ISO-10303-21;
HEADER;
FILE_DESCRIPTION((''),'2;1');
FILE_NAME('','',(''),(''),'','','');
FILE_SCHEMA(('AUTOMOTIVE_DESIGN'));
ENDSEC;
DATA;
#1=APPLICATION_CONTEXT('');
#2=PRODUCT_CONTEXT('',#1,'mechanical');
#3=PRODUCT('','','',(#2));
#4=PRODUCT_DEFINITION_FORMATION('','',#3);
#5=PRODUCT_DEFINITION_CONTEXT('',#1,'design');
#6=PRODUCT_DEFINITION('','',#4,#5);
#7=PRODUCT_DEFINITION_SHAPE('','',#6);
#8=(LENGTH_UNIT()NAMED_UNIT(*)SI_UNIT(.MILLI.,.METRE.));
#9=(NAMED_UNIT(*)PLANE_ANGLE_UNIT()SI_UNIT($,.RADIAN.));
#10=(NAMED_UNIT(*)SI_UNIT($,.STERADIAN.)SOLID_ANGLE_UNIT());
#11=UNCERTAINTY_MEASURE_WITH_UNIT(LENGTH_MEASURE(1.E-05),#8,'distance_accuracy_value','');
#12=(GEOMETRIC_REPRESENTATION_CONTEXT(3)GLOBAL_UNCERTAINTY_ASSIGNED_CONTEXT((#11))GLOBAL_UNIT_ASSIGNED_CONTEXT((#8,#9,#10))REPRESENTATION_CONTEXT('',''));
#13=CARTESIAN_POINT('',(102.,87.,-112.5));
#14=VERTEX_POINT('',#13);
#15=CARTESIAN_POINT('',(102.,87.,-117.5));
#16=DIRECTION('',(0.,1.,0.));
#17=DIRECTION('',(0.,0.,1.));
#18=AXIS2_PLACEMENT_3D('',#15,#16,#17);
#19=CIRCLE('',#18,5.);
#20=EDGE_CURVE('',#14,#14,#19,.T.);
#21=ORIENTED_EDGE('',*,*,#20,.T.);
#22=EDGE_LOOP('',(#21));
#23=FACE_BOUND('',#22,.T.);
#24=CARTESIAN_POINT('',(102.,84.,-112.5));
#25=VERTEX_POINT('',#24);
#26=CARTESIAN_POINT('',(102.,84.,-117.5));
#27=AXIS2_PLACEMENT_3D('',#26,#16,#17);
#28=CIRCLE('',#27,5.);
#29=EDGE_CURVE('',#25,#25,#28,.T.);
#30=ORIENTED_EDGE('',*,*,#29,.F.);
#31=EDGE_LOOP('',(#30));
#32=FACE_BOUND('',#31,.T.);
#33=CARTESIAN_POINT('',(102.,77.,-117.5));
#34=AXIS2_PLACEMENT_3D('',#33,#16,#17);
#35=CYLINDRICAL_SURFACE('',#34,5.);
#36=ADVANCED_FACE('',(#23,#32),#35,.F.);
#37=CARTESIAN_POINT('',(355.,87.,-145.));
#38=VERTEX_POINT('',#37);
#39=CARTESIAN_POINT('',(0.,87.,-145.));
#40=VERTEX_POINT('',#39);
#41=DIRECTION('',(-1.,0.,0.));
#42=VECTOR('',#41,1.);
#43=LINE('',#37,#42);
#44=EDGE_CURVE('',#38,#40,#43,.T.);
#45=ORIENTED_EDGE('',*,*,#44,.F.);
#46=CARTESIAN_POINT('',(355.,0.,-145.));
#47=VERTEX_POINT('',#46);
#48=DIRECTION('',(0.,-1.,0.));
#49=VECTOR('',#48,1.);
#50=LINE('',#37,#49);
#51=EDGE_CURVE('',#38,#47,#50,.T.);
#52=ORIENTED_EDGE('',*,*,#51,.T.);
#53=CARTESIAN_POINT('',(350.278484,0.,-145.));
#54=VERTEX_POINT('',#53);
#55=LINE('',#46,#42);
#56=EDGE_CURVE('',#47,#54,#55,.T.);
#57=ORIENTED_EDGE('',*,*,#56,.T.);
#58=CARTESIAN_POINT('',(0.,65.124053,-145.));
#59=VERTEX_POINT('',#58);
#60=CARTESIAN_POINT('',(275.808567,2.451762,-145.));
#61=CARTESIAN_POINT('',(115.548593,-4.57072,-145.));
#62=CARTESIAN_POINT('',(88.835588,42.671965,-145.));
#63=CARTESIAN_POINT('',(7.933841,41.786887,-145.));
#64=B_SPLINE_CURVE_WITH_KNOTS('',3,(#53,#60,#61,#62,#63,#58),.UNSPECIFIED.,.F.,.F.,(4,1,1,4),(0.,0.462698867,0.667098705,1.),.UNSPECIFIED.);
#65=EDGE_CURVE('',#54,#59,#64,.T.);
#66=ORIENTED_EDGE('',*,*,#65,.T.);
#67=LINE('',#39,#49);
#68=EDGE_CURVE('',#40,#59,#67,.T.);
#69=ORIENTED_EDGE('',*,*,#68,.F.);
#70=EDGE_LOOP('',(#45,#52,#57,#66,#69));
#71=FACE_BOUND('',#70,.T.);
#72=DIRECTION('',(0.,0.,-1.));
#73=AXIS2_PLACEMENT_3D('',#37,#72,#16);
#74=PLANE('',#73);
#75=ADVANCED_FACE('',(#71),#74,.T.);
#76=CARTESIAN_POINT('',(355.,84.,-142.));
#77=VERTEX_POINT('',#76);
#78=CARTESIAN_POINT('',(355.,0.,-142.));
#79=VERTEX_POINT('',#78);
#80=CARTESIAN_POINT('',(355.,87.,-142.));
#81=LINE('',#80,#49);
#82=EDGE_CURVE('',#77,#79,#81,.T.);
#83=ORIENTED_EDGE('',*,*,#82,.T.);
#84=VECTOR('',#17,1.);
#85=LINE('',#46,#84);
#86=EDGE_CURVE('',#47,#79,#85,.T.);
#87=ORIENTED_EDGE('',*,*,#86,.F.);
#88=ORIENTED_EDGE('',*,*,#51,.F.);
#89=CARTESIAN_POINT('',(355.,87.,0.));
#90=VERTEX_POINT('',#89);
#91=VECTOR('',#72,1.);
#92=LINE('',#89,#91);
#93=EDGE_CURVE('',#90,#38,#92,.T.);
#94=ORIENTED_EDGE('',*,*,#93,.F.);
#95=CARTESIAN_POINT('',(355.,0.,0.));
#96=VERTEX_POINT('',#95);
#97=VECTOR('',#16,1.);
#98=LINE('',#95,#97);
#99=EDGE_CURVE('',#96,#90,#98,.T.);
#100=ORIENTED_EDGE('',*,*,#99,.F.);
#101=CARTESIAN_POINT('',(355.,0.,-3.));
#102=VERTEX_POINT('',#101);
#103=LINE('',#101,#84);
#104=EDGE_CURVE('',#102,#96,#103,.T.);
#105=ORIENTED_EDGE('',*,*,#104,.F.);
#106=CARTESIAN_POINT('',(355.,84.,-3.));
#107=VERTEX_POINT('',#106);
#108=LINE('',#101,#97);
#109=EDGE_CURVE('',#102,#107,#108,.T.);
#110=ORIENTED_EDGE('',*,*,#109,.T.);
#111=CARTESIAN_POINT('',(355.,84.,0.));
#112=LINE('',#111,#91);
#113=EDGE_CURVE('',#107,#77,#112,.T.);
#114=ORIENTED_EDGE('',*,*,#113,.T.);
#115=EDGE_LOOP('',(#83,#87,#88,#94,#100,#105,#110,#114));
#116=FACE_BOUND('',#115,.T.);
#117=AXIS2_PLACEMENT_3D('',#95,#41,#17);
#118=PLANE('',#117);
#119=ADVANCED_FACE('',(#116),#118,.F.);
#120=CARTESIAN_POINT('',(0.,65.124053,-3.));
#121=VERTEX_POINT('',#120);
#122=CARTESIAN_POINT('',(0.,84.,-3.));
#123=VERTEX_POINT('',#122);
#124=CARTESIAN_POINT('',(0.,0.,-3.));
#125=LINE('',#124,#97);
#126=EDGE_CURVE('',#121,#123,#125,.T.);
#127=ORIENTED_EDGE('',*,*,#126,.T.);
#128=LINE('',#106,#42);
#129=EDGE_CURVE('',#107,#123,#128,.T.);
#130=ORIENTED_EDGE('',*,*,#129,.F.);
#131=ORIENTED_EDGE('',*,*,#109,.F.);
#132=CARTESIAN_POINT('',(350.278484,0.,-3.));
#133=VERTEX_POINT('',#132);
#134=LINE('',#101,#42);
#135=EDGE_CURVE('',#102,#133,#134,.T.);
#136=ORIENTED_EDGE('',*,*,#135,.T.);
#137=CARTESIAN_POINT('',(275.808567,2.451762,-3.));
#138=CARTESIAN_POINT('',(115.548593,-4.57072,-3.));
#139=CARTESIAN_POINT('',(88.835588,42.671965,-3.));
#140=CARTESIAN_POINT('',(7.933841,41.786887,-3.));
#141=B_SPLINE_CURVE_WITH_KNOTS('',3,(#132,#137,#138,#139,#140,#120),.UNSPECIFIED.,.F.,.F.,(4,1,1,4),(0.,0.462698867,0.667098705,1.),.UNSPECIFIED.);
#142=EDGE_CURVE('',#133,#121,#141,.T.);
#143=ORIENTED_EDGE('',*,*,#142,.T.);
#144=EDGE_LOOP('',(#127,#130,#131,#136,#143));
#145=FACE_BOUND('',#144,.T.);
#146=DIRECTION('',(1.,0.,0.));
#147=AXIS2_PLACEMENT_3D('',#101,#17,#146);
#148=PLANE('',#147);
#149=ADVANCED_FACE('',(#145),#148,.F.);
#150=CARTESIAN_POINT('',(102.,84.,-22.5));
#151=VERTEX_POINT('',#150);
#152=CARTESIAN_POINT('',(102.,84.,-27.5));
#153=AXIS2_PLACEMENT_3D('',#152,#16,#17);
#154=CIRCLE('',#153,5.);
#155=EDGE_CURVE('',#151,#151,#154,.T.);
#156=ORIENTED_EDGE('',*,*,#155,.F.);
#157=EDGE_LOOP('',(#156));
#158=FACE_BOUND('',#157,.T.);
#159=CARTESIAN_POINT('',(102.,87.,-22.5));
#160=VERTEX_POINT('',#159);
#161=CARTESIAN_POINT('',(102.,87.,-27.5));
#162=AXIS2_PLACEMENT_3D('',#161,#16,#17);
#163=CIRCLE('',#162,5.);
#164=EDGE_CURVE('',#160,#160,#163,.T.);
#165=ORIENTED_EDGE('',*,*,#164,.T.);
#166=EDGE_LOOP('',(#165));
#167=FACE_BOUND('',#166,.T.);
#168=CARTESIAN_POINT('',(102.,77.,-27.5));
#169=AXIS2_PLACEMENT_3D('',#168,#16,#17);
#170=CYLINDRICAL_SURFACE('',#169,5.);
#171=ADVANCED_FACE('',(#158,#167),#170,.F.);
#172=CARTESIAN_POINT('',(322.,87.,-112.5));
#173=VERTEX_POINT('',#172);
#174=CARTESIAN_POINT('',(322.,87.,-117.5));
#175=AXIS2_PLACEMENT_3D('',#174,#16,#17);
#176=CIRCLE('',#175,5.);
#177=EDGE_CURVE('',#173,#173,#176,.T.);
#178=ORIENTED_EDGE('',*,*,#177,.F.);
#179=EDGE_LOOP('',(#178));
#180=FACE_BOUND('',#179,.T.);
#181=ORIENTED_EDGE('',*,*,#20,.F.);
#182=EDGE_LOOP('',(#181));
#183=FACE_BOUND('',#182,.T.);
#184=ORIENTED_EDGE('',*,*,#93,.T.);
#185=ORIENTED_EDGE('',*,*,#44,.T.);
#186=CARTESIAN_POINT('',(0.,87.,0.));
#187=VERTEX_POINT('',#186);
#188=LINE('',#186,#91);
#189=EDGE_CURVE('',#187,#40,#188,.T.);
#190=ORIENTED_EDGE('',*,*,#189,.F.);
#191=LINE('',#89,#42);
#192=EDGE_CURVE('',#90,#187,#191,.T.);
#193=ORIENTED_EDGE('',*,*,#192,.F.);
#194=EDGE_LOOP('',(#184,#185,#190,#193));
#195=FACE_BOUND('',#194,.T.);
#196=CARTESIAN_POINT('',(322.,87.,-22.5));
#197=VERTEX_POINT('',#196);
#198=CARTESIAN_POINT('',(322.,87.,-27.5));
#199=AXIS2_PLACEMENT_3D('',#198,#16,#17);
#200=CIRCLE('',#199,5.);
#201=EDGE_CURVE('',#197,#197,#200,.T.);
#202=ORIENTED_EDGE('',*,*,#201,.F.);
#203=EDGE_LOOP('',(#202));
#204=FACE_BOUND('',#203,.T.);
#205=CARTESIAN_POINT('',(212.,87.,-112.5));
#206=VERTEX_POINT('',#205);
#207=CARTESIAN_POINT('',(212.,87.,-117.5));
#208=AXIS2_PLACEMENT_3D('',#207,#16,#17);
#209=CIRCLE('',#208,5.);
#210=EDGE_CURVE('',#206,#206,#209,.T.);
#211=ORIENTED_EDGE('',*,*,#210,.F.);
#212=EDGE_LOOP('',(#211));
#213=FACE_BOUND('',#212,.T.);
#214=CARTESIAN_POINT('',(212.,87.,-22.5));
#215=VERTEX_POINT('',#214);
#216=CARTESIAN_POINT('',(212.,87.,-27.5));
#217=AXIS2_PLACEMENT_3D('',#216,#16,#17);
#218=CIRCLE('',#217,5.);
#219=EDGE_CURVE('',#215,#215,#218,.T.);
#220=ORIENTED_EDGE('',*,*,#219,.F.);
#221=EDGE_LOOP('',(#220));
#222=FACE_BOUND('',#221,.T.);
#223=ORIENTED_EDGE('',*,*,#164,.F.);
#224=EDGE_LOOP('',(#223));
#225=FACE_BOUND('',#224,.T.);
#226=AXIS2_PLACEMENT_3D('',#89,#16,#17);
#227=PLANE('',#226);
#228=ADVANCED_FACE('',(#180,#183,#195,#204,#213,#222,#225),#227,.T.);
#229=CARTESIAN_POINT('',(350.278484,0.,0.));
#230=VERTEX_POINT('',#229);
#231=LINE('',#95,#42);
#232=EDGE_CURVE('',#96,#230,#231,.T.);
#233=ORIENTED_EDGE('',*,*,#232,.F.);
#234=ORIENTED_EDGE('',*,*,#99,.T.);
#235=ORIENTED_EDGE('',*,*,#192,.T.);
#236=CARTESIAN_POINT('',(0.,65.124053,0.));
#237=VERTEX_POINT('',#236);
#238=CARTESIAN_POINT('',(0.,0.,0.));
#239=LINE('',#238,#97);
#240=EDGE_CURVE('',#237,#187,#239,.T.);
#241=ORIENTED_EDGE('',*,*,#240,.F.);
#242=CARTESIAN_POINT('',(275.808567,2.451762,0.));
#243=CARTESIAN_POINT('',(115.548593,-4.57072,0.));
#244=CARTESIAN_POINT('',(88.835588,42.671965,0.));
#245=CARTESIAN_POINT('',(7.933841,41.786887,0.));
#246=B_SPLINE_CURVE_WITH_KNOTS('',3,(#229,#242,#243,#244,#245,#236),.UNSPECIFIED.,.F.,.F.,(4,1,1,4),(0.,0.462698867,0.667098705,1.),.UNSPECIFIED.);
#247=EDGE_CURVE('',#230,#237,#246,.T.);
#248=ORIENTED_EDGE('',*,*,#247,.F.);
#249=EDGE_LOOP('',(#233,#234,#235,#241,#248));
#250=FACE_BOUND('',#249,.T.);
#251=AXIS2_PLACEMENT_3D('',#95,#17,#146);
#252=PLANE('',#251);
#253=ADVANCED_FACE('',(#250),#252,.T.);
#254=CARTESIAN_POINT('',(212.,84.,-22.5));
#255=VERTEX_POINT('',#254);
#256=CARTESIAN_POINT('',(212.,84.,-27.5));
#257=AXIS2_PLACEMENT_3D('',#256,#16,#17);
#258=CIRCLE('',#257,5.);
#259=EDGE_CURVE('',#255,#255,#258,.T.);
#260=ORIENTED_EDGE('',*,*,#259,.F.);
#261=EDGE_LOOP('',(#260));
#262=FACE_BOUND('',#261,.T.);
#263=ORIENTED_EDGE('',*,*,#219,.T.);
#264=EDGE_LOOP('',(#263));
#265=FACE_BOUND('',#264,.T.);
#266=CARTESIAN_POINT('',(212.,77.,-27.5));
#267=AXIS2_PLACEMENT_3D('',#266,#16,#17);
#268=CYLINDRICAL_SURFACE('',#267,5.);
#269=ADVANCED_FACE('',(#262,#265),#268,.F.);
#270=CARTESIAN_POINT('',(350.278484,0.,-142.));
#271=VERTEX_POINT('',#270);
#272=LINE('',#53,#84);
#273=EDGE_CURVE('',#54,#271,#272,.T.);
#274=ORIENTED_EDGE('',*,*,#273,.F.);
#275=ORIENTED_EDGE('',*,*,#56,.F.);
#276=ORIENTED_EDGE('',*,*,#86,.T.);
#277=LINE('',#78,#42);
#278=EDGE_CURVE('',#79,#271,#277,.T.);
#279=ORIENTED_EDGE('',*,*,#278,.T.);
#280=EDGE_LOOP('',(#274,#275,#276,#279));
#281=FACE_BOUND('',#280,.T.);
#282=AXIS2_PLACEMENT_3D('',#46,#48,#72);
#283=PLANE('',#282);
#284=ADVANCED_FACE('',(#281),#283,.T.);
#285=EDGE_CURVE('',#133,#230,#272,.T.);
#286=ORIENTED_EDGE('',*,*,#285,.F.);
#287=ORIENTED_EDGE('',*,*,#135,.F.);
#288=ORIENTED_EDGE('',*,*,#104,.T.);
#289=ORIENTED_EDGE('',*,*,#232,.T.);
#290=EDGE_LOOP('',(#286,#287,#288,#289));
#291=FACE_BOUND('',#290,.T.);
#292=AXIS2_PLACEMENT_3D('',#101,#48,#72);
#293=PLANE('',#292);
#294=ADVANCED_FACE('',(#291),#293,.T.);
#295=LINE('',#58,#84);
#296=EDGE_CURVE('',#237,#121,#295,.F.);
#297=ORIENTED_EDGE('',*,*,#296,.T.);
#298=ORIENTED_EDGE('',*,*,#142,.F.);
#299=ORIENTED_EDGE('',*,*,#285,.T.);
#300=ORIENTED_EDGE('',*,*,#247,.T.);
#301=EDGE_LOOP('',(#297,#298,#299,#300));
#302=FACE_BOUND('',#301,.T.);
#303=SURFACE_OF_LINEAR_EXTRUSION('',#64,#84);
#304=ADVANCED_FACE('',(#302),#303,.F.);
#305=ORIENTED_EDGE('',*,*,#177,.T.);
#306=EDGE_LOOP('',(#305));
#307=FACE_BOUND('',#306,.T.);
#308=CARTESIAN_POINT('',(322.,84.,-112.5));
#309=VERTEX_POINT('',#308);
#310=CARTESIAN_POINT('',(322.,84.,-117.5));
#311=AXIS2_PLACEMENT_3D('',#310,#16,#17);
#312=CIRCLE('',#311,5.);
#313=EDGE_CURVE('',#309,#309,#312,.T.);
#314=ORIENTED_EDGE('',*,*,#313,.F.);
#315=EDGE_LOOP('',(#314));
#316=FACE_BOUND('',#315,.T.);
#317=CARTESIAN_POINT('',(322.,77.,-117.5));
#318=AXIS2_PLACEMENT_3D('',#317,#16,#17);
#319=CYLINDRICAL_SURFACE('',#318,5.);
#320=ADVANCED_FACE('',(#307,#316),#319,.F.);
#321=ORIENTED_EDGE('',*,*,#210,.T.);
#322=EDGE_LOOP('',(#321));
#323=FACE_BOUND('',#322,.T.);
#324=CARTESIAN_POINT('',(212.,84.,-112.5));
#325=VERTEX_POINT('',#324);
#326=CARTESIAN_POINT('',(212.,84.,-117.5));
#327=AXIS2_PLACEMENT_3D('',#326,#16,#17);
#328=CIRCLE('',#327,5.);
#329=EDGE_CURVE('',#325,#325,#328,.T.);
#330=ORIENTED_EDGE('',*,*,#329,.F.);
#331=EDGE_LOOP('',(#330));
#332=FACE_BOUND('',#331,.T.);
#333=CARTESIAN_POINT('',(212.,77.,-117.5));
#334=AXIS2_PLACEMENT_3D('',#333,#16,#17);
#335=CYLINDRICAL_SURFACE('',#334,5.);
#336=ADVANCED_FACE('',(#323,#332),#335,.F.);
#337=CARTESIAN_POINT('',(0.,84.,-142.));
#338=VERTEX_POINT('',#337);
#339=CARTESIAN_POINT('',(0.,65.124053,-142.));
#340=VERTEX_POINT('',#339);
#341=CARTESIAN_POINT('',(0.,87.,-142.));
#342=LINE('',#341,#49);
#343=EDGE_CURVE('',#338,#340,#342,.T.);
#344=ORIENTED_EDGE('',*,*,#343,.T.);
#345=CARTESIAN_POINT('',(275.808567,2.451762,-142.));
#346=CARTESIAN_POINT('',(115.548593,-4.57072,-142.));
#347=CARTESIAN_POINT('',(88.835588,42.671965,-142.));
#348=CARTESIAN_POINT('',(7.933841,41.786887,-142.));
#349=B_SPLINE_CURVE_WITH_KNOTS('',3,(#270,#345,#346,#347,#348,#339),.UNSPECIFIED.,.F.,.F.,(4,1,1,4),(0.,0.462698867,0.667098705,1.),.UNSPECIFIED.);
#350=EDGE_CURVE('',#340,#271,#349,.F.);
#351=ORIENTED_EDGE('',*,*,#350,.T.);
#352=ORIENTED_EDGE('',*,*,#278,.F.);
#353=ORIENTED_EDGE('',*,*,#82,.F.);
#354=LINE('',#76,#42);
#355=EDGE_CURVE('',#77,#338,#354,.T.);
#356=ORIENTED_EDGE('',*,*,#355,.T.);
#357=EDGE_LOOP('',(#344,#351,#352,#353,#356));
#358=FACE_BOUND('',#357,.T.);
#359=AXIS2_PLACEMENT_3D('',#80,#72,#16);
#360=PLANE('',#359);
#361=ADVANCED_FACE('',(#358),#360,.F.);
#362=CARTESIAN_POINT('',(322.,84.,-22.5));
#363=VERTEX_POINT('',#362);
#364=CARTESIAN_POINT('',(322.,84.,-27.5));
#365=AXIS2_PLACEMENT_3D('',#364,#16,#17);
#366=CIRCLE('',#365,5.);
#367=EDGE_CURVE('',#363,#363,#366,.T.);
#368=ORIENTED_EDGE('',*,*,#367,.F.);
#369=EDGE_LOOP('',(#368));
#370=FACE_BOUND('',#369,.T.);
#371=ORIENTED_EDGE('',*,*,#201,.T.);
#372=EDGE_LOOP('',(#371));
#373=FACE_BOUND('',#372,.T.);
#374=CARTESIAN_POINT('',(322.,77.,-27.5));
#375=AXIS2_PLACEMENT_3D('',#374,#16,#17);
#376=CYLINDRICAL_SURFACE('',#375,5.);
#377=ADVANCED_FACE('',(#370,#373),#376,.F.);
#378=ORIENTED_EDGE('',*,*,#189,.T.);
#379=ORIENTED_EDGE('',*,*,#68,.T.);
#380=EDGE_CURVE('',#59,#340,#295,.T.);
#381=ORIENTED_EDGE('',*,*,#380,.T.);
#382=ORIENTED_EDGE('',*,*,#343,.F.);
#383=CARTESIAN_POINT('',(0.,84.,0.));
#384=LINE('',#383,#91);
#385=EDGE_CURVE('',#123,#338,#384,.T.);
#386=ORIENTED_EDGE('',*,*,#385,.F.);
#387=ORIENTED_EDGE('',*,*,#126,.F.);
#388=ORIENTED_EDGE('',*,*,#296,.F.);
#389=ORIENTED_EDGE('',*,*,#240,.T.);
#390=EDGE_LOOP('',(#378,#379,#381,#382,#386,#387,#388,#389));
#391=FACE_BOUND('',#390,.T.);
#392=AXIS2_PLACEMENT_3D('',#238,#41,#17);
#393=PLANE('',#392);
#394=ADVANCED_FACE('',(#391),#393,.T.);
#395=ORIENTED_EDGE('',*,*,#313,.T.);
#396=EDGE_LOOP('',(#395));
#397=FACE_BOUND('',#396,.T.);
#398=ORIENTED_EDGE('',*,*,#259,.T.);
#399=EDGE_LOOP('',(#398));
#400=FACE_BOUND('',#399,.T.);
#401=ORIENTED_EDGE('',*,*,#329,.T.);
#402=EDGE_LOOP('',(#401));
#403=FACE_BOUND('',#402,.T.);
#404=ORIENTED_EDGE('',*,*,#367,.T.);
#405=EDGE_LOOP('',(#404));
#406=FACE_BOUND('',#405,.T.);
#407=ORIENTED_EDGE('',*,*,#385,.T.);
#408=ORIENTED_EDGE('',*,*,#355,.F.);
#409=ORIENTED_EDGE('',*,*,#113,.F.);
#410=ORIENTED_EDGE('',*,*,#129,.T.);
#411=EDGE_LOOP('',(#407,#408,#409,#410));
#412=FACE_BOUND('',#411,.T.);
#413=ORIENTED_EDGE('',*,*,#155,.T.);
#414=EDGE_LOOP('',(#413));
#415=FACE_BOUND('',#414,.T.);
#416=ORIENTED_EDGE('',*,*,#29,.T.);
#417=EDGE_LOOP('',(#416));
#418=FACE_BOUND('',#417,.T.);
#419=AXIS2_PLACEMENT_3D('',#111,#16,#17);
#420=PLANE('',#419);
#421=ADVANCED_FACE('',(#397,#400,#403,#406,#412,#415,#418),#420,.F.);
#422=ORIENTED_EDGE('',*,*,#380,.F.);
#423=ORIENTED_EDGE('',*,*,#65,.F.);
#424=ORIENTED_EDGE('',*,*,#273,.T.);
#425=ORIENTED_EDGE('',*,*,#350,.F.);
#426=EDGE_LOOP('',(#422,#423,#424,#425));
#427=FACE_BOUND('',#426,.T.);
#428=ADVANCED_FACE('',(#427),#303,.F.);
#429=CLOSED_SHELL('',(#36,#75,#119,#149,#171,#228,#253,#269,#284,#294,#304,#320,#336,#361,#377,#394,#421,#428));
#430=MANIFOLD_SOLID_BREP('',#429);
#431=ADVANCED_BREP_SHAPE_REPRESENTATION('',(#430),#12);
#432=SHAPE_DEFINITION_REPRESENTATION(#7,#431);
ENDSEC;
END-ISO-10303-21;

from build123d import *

# Parameters (mm, degrees)
EXTRUDE_1_DEPTH     = 355
CUT_EXTRUDE_1_DEPTH = 146
SKETCH_3_R          = 5
CUT_EXTRUDE_2_DEPTH = 10


with BuildPart() as part:
    # Эскиз1 → Вытянуть-Тонкостенный1 (new body)
    with BuildSketch(Plane(origin=(0, 0, 0), x_dir=(0, 0, -1), z_dir=(1, 0, 0))):
        Polygon((0, 0), (0, 87), (145, 87), (145, 0), (142, 0), (142, 84), (3, 84), (3, 0), align=None)
    extrude(amount=EXTRUDE_1_DEPTH)

    # Эскиз2 → Вырез-Вытянуть1 (cut, through all)
    with BuildSketch(Plane.XY):
        with BuildLine():
            Line((0, 65.12405332), (0, 0))
            Line((0, 0), (350.278484056, 0))
            add(Edge.make_bspline(
                [(0, 65.12405332), (7.933841156, 41.786887325), (88.835587811, 42.671964813), (115.548592719, -4.570720396), (275.808566843, 2.451761606), (350.278484056, 0)],
                knots=[0, 0, 0, 0, 0.332901295, 0.537301133, 1, 1, 1, 1], degree=3))
        make_face()
    extrude(amount=-CUT_EXTRUDE_1_DEPTH, mode=Mode.SUBTRACT)

    # Эскиз3 → Вырез-Вытянуть2 (cut)
    with BuildSketch(Plane(origin=(0, 87, 0), x_dir=(1, 0, 0), z_dir=(0, 1, 0))):
        with Locations((322, 117.5)):
            Circle(SKETCH_3_R)
        with Locations((212, 117.5)):
            Circle(SKETCH_3_R)
        with Locations((102, 117.5)):
            Circle(SKETCH_3_R)
        with Locations((212, 27.5)):
            Circle(SKETCH_3_R)
        with Locations((102, 27.5)):
            Circle(SKETCH_3_R)
        with Locations((322, 27.5)):
            Circle(SKETCH_3_R)
    extrude(amount=-CUT_EXTRUDE_2_DEPTH, mode=Mode.SUBTRACT)


solid = part.part
